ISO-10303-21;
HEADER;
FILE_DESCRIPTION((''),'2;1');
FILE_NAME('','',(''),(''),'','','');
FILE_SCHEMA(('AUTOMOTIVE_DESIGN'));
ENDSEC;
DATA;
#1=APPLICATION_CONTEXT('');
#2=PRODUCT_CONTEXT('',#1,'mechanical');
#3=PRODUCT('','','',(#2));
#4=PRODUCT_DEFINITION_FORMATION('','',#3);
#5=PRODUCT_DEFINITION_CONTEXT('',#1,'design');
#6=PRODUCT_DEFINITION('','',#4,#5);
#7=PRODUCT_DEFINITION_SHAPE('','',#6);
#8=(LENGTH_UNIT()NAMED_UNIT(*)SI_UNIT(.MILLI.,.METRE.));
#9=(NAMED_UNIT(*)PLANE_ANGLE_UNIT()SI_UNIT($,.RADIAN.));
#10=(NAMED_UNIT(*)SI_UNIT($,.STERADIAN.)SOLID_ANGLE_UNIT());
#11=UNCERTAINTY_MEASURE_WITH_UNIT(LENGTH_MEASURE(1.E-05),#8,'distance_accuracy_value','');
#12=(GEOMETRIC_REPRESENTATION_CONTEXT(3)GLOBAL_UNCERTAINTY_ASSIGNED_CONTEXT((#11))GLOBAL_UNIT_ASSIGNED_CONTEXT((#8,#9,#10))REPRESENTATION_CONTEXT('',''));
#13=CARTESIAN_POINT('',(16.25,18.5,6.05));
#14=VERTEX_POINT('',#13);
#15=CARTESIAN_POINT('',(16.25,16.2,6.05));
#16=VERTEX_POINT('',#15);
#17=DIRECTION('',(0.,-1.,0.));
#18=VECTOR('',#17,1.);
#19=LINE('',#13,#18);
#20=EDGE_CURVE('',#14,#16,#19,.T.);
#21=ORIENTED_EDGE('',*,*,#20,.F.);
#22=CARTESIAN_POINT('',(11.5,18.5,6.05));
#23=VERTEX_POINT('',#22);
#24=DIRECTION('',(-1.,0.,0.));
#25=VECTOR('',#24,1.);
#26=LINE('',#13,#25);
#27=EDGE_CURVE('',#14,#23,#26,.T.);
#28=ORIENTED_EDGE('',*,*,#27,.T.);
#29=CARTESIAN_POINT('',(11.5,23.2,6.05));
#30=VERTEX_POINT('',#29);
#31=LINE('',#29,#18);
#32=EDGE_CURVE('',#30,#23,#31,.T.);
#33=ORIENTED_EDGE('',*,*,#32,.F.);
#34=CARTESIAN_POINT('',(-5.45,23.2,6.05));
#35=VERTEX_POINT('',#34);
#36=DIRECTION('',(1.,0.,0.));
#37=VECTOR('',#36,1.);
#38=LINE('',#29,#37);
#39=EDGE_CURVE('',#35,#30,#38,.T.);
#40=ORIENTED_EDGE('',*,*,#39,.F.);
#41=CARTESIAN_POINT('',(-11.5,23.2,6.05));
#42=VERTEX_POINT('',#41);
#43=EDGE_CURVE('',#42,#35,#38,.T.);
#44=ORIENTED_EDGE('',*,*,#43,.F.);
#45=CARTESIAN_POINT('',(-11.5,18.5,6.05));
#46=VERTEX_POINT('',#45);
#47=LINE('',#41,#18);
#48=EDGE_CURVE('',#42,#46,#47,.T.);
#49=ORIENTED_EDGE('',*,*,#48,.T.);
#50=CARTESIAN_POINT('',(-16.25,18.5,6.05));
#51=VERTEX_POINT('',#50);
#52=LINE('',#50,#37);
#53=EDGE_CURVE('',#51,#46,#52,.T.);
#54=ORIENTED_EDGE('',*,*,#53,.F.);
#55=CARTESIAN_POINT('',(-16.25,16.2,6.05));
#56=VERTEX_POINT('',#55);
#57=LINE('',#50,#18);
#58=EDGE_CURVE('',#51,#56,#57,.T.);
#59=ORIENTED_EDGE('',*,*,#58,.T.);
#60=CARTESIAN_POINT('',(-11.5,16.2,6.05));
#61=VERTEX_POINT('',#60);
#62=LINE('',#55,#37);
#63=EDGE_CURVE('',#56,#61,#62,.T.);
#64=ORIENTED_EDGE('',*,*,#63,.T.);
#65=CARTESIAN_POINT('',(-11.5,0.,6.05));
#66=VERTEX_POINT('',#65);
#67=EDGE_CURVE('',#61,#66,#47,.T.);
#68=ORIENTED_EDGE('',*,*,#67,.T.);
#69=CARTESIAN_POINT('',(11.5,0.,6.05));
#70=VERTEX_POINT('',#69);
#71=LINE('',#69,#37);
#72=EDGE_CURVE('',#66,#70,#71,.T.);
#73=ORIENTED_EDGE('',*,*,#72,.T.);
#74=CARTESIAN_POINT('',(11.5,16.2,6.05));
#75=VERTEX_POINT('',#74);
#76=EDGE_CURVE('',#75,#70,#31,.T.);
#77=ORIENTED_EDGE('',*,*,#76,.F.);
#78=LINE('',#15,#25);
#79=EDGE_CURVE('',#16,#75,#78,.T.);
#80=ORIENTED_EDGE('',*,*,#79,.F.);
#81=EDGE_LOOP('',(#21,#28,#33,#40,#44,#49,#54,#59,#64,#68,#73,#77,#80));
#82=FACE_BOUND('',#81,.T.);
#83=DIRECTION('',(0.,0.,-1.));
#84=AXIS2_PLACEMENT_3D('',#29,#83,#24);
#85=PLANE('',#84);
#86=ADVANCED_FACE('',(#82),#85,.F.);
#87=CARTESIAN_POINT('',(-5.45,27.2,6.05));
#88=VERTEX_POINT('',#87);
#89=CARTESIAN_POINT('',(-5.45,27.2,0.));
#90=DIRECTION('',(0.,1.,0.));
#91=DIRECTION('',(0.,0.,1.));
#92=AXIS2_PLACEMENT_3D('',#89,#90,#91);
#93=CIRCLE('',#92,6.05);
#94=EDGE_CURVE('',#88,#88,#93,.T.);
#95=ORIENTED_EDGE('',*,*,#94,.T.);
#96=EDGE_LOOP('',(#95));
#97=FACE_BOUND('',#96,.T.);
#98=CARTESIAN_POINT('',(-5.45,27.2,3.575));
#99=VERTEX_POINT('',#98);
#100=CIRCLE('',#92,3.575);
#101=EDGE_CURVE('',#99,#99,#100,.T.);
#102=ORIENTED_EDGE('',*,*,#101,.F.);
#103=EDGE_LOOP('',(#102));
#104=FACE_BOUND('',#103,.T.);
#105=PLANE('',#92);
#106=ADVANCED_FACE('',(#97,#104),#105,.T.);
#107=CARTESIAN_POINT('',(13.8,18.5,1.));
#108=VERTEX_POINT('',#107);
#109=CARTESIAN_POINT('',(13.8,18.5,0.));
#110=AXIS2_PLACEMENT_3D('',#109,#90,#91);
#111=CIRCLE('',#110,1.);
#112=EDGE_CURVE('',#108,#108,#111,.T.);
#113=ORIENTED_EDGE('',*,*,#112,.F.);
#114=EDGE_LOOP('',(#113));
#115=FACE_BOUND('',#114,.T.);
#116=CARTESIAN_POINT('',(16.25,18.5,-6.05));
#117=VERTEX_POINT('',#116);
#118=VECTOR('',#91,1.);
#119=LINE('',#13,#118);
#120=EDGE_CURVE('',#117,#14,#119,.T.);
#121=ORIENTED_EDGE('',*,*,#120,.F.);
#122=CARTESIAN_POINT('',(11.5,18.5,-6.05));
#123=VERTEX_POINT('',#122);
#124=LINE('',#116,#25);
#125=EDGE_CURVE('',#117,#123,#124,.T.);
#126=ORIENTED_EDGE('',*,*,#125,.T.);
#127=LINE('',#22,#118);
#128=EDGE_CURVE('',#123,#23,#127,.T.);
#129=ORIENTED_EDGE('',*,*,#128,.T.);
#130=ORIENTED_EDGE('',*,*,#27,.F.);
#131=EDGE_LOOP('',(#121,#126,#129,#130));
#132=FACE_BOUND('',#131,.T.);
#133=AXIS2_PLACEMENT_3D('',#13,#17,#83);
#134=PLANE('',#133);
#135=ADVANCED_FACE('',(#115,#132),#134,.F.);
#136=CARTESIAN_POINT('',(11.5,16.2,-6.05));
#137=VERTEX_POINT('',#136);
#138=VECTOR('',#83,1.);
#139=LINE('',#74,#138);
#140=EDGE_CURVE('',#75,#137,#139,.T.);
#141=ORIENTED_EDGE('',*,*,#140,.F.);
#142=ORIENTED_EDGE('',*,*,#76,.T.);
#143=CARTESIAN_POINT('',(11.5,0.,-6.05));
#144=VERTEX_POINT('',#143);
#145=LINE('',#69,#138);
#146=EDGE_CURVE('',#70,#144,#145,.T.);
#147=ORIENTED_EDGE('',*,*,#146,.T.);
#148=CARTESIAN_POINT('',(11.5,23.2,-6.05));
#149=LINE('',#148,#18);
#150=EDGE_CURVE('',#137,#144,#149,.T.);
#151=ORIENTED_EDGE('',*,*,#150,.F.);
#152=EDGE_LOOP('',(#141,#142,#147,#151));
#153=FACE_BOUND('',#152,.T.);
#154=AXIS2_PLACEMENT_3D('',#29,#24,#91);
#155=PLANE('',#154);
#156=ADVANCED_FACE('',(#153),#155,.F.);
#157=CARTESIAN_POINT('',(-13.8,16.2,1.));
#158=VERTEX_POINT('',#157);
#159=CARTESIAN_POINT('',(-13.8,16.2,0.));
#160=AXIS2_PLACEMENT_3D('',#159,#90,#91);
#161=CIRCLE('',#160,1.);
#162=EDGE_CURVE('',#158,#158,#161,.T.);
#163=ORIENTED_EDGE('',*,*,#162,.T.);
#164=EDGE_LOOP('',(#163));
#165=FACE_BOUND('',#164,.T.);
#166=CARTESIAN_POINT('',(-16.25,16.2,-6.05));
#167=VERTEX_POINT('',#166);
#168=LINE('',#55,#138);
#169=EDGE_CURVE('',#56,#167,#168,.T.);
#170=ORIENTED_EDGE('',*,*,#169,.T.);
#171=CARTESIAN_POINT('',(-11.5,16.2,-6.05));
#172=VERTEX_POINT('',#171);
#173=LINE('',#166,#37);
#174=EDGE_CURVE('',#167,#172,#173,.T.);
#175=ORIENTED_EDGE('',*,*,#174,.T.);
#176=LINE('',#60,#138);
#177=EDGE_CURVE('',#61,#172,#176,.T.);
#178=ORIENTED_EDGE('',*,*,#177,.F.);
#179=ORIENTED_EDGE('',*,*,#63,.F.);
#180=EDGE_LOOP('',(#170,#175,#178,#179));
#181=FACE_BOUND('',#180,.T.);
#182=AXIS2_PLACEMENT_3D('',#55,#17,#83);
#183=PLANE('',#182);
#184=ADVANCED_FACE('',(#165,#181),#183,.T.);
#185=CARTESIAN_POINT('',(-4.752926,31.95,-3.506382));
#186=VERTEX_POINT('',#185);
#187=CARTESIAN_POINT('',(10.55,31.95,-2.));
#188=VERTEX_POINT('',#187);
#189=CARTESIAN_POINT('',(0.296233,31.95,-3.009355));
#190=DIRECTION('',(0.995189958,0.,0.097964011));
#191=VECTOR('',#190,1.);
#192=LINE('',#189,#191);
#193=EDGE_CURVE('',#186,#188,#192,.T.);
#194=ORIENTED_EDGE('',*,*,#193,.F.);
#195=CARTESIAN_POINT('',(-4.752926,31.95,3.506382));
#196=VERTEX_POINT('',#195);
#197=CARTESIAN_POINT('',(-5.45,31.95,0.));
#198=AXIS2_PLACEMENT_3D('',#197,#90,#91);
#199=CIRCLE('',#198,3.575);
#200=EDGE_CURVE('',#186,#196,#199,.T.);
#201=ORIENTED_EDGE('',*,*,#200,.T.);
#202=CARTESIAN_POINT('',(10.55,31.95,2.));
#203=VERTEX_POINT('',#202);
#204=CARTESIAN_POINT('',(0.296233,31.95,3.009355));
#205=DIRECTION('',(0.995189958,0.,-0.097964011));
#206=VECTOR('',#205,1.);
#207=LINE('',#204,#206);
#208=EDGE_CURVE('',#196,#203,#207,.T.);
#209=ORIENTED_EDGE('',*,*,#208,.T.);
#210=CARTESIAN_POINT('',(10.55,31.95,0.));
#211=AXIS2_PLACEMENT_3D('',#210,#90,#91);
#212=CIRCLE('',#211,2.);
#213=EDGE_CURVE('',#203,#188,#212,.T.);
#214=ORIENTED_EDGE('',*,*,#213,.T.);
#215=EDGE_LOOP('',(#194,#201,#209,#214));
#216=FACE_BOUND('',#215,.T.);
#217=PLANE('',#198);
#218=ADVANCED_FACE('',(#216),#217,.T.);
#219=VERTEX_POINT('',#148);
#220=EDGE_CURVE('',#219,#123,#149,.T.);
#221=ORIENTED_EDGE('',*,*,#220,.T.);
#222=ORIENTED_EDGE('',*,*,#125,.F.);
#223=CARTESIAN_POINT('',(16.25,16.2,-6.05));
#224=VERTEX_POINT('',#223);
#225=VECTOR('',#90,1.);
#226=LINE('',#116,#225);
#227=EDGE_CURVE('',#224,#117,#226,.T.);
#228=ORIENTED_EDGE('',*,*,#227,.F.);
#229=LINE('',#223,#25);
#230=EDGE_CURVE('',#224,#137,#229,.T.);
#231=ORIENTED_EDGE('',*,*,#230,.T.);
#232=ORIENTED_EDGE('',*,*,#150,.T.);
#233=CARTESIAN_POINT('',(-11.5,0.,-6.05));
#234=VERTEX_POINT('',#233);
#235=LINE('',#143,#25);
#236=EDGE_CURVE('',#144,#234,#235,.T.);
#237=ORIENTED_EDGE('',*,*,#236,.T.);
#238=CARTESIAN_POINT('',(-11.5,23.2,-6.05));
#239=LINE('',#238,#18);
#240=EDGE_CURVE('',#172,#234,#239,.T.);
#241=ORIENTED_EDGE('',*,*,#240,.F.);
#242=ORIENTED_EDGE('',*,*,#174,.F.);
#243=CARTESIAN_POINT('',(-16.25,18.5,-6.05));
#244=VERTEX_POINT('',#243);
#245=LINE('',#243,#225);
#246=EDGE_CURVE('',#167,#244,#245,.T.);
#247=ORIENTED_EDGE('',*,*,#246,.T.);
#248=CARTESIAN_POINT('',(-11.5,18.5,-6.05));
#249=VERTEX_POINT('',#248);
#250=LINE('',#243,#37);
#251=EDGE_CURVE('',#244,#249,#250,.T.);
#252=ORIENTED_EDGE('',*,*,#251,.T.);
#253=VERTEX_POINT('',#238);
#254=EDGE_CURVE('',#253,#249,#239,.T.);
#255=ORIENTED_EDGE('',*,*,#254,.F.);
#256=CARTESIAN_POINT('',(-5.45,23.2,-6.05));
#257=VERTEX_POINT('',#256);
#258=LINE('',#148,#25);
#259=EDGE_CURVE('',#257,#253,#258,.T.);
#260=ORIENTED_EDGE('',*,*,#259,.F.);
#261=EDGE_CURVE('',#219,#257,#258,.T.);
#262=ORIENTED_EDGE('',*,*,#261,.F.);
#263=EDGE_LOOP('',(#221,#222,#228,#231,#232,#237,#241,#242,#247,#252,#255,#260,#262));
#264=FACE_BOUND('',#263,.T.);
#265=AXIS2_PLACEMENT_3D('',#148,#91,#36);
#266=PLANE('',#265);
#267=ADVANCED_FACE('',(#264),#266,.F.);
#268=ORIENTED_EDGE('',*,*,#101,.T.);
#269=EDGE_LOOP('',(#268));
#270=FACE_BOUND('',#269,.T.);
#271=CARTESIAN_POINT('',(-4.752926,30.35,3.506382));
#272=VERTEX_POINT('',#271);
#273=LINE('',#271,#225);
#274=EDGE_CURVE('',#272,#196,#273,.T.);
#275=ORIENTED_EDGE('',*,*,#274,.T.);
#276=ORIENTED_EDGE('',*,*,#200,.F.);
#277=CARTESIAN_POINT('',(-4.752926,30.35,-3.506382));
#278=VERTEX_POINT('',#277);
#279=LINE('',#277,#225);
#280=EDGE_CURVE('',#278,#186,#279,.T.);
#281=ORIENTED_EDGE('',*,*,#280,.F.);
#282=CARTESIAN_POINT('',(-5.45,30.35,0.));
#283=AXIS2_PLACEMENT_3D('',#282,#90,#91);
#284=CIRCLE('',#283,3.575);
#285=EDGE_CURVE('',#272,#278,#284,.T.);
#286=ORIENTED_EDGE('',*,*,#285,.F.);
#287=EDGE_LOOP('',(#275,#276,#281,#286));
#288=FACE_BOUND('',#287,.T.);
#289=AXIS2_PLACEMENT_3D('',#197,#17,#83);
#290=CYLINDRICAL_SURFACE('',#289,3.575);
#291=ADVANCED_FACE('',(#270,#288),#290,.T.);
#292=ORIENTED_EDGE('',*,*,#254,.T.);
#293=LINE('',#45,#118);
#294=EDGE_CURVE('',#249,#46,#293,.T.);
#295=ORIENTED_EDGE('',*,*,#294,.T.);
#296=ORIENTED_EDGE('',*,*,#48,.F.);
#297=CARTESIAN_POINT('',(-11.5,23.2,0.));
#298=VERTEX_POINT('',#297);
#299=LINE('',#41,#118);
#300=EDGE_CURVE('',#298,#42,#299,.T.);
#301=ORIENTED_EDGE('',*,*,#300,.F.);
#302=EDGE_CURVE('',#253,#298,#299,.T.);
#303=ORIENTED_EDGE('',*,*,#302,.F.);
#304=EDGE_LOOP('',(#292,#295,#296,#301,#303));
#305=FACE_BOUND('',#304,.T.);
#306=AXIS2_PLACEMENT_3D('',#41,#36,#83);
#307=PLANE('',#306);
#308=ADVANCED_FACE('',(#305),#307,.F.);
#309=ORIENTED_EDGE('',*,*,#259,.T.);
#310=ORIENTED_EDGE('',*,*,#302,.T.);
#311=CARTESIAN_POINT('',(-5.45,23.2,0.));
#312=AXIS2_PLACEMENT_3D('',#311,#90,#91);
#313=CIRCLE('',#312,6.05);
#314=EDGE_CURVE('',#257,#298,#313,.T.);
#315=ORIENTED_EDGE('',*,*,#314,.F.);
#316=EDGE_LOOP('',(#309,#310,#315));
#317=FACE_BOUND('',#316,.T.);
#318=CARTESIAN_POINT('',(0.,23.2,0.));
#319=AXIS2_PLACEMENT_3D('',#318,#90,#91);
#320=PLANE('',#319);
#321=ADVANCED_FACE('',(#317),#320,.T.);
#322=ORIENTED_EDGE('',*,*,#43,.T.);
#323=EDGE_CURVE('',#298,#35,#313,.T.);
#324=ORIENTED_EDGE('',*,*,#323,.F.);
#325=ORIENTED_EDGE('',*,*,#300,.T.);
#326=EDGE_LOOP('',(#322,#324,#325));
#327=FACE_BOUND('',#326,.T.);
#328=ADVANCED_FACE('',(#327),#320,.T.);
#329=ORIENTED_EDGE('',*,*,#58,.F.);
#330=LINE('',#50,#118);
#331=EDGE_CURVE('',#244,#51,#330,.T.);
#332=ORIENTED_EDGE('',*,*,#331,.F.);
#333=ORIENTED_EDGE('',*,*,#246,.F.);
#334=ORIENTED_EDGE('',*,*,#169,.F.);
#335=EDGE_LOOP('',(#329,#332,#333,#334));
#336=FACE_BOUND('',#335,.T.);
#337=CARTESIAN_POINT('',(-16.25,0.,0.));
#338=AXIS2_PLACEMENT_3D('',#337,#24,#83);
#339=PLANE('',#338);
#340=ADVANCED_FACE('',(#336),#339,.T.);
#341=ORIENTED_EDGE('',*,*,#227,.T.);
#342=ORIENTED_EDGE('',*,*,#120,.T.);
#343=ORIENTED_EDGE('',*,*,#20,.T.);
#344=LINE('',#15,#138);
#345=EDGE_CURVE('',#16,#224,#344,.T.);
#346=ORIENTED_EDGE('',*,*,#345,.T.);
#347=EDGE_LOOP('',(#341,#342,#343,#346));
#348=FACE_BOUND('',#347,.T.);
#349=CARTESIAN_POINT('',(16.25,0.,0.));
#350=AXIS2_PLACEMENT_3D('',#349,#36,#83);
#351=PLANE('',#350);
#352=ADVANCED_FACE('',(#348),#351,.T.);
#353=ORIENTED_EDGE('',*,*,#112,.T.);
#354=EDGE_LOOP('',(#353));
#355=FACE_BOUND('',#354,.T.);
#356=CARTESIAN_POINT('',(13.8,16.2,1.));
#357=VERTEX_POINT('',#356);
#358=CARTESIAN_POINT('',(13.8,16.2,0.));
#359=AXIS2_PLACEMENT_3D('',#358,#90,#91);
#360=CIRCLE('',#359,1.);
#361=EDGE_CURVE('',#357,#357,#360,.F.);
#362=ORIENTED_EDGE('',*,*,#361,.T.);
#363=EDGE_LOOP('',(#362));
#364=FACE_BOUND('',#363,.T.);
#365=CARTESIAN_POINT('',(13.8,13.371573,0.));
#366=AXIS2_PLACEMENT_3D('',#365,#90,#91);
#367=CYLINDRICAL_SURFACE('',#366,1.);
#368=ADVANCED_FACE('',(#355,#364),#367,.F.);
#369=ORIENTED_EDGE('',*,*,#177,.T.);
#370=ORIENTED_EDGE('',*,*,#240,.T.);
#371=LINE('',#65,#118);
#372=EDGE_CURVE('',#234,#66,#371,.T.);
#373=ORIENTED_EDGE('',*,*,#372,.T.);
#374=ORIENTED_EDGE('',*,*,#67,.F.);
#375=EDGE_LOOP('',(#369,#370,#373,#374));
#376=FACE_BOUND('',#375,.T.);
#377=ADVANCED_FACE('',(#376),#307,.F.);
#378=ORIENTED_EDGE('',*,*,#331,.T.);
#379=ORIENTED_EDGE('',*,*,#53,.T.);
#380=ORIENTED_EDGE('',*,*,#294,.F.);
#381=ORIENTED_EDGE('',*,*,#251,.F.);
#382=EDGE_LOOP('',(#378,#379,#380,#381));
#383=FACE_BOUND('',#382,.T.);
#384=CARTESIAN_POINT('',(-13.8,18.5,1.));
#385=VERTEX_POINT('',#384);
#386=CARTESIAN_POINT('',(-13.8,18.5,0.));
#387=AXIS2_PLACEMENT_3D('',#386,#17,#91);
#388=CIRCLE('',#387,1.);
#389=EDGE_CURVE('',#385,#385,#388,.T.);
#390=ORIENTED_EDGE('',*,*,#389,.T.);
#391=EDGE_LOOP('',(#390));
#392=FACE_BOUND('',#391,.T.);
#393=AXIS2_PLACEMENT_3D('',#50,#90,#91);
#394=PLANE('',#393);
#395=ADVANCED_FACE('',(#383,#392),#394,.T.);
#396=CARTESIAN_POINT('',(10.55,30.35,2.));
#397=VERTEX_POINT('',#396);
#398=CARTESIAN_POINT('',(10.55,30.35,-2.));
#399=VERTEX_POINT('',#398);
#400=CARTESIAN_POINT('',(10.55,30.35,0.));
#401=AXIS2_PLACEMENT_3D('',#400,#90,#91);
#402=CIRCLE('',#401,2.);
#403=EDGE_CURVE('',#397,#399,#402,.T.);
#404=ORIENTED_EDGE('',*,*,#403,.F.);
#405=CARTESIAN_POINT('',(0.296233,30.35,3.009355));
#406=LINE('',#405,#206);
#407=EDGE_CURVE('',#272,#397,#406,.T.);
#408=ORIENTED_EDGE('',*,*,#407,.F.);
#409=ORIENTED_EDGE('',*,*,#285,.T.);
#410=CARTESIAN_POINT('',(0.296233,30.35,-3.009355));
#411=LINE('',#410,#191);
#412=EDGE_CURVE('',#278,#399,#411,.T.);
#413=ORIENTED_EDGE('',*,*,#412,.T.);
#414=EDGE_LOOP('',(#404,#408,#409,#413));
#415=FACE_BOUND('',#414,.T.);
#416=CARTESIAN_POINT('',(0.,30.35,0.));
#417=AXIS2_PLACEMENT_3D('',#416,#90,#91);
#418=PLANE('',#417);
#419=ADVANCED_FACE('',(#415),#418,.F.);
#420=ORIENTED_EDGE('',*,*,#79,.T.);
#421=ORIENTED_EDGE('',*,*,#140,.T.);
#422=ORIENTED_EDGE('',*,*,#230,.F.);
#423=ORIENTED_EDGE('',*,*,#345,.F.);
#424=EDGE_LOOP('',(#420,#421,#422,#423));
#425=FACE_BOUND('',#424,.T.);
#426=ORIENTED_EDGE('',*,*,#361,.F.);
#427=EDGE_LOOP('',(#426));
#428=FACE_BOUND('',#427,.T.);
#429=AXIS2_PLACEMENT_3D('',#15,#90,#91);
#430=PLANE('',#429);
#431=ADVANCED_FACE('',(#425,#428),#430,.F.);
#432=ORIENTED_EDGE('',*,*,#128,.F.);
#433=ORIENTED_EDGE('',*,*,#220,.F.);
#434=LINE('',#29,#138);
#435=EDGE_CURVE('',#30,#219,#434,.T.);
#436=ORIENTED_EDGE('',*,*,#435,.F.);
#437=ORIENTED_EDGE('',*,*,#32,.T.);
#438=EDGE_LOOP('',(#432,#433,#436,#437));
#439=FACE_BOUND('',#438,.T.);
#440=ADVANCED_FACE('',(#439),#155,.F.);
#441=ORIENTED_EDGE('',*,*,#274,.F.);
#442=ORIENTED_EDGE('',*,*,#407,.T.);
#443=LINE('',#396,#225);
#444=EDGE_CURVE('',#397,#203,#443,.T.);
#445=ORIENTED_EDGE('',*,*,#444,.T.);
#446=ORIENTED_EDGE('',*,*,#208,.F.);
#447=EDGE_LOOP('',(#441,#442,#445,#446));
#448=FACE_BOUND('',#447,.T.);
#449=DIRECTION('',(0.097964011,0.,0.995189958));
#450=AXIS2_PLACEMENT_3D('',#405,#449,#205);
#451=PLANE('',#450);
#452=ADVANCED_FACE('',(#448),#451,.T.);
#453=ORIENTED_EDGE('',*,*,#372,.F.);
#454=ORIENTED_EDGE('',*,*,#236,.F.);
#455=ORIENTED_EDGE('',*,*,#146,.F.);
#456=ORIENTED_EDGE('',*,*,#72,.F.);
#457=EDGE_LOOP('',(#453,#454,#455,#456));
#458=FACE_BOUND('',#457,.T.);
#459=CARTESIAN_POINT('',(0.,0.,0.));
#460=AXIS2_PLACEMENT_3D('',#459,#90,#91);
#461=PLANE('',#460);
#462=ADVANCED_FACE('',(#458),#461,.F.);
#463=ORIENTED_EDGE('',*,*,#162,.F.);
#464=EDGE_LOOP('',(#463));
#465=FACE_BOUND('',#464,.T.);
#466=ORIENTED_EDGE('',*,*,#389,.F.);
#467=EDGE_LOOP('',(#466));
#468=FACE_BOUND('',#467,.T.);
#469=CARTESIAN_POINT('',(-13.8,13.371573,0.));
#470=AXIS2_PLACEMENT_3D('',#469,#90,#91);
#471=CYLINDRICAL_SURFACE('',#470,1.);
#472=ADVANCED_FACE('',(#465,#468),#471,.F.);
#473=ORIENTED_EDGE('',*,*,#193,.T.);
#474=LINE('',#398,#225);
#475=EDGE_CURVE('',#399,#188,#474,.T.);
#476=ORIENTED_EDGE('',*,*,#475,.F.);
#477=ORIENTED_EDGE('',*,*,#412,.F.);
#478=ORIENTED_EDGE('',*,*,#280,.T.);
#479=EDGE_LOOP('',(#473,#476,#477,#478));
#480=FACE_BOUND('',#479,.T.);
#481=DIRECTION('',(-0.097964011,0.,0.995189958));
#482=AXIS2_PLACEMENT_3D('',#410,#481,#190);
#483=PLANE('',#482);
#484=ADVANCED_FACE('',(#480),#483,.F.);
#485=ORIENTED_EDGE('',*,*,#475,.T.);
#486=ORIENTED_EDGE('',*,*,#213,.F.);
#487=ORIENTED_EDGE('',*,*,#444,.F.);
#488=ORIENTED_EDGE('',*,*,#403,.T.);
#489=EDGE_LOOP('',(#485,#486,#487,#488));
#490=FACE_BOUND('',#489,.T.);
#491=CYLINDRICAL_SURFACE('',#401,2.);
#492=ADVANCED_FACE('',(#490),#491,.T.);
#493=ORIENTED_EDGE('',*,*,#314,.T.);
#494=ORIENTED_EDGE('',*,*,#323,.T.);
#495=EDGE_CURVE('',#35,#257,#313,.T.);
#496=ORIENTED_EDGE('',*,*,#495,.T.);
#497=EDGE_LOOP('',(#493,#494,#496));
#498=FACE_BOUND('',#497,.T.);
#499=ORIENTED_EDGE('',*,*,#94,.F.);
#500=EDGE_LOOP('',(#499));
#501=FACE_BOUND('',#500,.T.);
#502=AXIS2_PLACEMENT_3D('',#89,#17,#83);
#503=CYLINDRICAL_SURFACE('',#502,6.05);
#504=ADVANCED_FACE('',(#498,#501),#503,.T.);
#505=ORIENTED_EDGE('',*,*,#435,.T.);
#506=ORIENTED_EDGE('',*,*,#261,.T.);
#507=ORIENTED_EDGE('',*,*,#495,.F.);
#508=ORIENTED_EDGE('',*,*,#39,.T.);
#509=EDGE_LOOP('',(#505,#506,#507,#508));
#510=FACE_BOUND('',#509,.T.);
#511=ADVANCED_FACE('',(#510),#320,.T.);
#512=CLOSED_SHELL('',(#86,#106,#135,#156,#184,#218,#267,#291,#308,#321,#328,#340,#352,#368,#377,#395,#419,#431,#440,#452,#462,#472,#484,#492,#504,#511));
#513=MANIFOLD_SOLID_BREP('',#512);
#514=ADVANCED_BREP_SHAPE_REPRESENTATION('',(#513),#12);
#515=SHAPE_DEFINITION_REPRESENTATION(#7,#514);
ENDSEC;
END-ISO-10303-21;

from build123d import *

# Parameters (mm, degrees)
SKETCH1_W           = 23
SKETCH1_H           = 12.1
BOSS_EXTRUDE1_DEPTH = 23.2
SKETCH2_W           = 12.1
SKETCH2_H           = 2.3
BOSS_EXTRUDE2_DEPTH = 4.75
SKETCH3_R           = 1
CUT_EXTRUDE1_DEPTH  = 2.3
SKETCH4_R           = 6.05
BOSS_EXTRUDE3_DEPTH = 4
SKETCH5_R           = 3.575
BOSS_EXTRUDE4_DEPTH = 4.75
BOSS_EXTRUDE5_DEPTH = 1.6


with BuildPart() as part:
    # Sketch1 → Boss-Extrude1 (new body)
    with BuildSketch(Plane(origin=(0, 0, 0), x_dir=(1, 0, 0), z_dir=(0, 1, 0))):
        Rectangle(SKETCH1_W, SKETCH1_H)
    extrude(amount=BOSS_EXTRUDE1_DEPTH)

    # Sketch2 → Boss-Extrude2 (add)
    with BuildSketch(Plane(origin=(11.5, 0, 0), x_dir=(0, 0, -1), z_dir=(1, 0, 0))):
        with Locations((0, 17.35)):
            Rectangle(SKETCH2_W, SKETCH2_H)
    boss_extrude2 = extrude(amount=BOSS_EXTRUDE2_DEPTH)

    # Sketch3 → Cut-Extrude1 (cut)
    with BuildSketch(Plane(origin=(0, 18.5, 0), x_dir=(1, 0, 0), z_dir=(0, 1, 0))):
        with Locations((13.8, 0)):
            Circle(SKETCH3_R)
    cut_extrude1 = extrude(amount=-CUT_EXTRUDE1_DEPTH, mode=Mode.SUBTRACT)

    # Mirror1: Boss-Extrude2, Cut-Extrude1 across plane
    add(boss_extrude2.mirror(Plane(origin=(0, 0, 0), x_dir=(0, 0, 1), z_dir=(1, 0, 0))))
    add(cut_extrude1.mirror(Plane(origin=(0, 0, 0), x_dir=(0, 0, 1), z_dir=(1, 0, 0))), mode=Mode.SUBTRACT)

    # Sketch4 → Boss-Extrude3 (add)
    with BuildSketch(Plane(origin=(0, 23.2, 0), x_dir=(1, 0, 0), z_dir=(0, 1, 0))):
        with Locations((-5.45, 0)):
            Circle(SKETCH4_R)
    extrude(amount=BOSS_EXTRUDE3_DEPTH)

    # Sketch5 → Boss-Extrude4 (add)
    with BuildSketch(Plane(origin=(0, 27.2, 0), x_dir=(1, 0, 0), z_dir=(0, 1, 0))):
        with Locations((-5.45, 0)):
            Circle(SKETCH5_R)
    extrude(amount=BOSS_EXTRUDE4_DEPTH)

    # Sketch7 → Boss-Extrude5 (add)
    with BuildSketch(Plane(origin=(0, 31.95, 0), x_dir=(1, 0, 0), z_dir=(0, 1, 0))):
        with BuildLine():
            Line((10.55, 2), (-4.752926477, 3.506381825))
            ThreePointArc((-4.752926477, 3.506381825), (-2.68660871, 2.26810352), (-1.875, 0))
            ThreePointArc((-1.875, 0), (-2.68660871, -2.26810352), (-4.752926477, -3.506381825))
            Line((-4.752926477, -3.506381825), (10.55, -2))
            ThreePointArc((10.55, -2), (12.55, 0), (10.55, 2))
        make_face()
    extrude(amount=-BOSS_EXTRUDE5_DEPTH)


solid = part.part
